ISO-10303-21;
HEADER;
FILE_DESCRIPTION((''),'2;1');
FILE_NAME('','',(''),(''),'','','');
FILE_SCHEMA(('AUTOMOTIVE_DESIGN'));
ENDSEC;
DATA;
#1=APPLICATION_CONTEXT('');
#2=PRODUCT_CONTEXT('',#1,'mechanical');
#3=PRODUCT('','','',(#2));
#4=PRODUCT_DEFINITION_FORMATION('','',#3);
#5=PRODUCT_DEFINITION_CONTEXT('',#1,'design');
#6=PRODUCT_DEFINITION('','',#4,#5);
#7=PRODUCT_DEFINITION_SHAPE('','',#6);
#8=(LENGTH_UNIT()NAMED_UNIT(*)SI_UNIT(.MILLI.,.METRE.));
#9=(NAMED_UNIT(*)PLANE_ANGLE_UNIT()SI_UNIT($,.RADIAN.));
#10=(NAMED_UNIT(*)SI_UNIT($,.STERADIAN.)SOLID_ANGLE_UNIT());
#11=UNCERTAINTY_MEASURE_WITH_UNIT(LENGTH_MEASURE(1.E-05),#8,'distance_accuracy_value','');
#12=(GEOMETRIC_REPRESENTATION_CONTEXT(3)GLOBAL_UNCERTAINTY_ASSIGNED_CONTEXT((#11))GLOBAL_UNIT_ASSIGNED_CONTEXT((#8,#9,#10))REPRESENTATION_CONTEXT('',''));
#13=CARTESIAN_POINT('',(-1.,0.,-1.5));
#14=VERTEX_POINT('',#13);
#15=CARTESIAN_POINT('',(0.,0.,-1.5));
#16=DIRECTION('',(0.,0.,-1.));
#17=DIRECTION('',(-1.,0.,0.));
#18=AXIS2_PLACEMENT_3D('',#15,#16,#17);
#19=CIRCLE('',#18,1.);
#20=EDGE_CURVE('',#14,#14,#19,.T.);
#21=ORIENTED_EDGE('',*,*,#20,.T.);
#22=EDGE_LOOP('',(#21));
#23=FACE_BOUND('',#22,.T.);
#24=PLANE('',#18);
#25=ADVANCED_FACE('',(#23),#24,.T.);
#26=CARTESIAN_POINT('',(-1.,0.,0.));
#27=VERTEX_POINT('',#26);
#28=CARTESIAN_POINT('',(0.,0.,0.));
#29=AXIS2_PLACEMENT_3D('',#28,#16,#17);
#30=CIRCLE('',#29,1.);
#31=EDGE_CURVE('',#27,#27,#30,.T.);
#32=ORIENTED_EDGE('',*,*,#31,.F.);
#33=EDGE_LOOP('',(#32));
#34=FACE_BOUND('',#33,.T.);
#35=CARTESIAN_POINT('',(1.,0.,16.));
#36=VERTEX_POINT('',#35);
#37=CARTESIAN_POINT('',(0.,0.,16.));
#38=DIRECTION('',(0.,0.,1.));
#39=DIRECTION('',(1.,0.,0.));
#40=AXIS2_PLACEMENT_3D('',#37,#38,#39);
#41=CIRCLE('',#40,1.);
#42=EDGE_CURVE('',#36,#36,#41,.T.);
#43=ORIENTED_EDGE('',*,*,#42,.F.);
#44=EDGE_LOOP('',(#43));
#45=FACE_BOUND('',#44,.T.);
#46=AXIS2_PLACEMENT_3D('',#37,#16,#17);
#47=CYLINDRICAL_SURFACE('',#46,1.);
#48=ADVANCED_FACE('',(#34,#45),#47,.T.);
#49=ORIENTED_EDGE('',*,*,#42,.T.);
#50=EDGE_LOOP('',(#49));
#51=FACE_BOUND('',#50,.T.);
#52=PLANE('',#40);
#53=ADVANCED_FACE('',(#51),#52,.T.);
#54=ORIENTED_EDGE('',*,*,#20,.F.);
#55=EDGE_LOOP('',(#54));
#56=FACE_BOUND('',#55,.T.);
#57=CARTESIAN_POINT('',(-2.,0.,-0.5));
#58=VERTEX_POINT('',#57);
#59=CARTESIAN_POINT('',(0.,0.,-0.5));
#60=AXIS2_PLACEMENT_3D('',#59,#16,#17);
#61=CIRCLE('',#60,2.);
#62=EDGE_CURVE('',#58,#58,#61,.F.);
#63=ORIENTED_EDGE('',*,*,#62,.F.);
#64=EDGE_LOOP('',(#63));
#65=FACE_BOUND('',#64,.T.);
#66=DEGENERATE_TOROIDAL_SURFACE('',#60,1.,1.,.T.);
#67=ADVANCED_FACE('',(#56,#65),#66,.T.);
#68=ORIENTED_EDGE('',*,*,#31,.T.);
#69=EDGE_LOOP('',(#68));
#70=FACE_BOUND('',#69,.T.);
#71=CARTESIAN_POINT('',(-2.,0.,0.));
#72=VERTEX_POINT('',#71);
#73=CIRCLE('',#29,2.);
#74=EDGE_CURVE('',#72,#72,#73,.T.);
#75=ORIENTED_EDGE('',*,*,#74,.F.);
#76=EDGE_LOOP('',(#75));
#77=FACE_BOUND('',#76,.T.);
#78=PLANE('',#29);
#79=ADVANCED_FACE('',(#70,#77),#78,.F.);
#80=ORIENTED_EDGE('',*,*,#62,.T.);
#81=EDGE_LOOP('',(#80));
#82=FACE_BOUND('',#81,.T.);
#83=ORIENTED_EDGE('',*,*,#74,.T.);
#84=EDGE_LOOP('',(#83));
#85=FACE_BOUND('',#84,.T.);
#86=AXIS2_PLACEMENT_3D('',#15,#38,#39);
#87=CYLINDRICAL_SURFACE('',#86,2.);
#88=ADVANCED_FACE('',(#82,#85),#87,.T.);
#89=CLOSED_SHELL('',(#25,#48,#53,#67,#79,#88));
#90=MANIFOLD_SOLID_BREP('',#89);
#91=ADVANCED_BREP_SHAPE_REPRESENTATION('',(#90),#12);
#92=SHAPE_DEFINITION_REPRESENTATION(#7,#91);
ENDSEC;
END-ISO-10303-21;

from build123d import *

# Parameters (mm, degrees)
SKETCH1_R           = 1
BOSS_EXTRUDE1_DEPTH = 16
SKETCH2_R           = 2
BOSS_EXTRUDE2_DEPTH = 1.5
FILLET1_R           = 1


with BuildPart() as part:
    # Sketch1 → Boss-Extrude1 (new body)
    with BuildSketch(Plane.XY):
        Circle(SKETCH1_R)
    extrude(amount=BOSS_EXTRUDE1_DEPTH)

    # Sketch2 → Boss-Extrude2 (add)
    with BuildSketch(Plane(origin=(0, 0, 0), x_dir=(-1, 0, 0), z_dir=(0, 0, -1))):
        Circle(SKETCH2_R)
    extrude(amount=BOSS_EXTRUDE2_DEPTH)

    # Fillet1
    fillet1_edges = [part.edges().sort_by_distance(p)[0] for p in [
        (2, 0, -1.5),
    ]]
    fillet(fillet1_edges, radius=FILLET1_R)


solid = part.part
